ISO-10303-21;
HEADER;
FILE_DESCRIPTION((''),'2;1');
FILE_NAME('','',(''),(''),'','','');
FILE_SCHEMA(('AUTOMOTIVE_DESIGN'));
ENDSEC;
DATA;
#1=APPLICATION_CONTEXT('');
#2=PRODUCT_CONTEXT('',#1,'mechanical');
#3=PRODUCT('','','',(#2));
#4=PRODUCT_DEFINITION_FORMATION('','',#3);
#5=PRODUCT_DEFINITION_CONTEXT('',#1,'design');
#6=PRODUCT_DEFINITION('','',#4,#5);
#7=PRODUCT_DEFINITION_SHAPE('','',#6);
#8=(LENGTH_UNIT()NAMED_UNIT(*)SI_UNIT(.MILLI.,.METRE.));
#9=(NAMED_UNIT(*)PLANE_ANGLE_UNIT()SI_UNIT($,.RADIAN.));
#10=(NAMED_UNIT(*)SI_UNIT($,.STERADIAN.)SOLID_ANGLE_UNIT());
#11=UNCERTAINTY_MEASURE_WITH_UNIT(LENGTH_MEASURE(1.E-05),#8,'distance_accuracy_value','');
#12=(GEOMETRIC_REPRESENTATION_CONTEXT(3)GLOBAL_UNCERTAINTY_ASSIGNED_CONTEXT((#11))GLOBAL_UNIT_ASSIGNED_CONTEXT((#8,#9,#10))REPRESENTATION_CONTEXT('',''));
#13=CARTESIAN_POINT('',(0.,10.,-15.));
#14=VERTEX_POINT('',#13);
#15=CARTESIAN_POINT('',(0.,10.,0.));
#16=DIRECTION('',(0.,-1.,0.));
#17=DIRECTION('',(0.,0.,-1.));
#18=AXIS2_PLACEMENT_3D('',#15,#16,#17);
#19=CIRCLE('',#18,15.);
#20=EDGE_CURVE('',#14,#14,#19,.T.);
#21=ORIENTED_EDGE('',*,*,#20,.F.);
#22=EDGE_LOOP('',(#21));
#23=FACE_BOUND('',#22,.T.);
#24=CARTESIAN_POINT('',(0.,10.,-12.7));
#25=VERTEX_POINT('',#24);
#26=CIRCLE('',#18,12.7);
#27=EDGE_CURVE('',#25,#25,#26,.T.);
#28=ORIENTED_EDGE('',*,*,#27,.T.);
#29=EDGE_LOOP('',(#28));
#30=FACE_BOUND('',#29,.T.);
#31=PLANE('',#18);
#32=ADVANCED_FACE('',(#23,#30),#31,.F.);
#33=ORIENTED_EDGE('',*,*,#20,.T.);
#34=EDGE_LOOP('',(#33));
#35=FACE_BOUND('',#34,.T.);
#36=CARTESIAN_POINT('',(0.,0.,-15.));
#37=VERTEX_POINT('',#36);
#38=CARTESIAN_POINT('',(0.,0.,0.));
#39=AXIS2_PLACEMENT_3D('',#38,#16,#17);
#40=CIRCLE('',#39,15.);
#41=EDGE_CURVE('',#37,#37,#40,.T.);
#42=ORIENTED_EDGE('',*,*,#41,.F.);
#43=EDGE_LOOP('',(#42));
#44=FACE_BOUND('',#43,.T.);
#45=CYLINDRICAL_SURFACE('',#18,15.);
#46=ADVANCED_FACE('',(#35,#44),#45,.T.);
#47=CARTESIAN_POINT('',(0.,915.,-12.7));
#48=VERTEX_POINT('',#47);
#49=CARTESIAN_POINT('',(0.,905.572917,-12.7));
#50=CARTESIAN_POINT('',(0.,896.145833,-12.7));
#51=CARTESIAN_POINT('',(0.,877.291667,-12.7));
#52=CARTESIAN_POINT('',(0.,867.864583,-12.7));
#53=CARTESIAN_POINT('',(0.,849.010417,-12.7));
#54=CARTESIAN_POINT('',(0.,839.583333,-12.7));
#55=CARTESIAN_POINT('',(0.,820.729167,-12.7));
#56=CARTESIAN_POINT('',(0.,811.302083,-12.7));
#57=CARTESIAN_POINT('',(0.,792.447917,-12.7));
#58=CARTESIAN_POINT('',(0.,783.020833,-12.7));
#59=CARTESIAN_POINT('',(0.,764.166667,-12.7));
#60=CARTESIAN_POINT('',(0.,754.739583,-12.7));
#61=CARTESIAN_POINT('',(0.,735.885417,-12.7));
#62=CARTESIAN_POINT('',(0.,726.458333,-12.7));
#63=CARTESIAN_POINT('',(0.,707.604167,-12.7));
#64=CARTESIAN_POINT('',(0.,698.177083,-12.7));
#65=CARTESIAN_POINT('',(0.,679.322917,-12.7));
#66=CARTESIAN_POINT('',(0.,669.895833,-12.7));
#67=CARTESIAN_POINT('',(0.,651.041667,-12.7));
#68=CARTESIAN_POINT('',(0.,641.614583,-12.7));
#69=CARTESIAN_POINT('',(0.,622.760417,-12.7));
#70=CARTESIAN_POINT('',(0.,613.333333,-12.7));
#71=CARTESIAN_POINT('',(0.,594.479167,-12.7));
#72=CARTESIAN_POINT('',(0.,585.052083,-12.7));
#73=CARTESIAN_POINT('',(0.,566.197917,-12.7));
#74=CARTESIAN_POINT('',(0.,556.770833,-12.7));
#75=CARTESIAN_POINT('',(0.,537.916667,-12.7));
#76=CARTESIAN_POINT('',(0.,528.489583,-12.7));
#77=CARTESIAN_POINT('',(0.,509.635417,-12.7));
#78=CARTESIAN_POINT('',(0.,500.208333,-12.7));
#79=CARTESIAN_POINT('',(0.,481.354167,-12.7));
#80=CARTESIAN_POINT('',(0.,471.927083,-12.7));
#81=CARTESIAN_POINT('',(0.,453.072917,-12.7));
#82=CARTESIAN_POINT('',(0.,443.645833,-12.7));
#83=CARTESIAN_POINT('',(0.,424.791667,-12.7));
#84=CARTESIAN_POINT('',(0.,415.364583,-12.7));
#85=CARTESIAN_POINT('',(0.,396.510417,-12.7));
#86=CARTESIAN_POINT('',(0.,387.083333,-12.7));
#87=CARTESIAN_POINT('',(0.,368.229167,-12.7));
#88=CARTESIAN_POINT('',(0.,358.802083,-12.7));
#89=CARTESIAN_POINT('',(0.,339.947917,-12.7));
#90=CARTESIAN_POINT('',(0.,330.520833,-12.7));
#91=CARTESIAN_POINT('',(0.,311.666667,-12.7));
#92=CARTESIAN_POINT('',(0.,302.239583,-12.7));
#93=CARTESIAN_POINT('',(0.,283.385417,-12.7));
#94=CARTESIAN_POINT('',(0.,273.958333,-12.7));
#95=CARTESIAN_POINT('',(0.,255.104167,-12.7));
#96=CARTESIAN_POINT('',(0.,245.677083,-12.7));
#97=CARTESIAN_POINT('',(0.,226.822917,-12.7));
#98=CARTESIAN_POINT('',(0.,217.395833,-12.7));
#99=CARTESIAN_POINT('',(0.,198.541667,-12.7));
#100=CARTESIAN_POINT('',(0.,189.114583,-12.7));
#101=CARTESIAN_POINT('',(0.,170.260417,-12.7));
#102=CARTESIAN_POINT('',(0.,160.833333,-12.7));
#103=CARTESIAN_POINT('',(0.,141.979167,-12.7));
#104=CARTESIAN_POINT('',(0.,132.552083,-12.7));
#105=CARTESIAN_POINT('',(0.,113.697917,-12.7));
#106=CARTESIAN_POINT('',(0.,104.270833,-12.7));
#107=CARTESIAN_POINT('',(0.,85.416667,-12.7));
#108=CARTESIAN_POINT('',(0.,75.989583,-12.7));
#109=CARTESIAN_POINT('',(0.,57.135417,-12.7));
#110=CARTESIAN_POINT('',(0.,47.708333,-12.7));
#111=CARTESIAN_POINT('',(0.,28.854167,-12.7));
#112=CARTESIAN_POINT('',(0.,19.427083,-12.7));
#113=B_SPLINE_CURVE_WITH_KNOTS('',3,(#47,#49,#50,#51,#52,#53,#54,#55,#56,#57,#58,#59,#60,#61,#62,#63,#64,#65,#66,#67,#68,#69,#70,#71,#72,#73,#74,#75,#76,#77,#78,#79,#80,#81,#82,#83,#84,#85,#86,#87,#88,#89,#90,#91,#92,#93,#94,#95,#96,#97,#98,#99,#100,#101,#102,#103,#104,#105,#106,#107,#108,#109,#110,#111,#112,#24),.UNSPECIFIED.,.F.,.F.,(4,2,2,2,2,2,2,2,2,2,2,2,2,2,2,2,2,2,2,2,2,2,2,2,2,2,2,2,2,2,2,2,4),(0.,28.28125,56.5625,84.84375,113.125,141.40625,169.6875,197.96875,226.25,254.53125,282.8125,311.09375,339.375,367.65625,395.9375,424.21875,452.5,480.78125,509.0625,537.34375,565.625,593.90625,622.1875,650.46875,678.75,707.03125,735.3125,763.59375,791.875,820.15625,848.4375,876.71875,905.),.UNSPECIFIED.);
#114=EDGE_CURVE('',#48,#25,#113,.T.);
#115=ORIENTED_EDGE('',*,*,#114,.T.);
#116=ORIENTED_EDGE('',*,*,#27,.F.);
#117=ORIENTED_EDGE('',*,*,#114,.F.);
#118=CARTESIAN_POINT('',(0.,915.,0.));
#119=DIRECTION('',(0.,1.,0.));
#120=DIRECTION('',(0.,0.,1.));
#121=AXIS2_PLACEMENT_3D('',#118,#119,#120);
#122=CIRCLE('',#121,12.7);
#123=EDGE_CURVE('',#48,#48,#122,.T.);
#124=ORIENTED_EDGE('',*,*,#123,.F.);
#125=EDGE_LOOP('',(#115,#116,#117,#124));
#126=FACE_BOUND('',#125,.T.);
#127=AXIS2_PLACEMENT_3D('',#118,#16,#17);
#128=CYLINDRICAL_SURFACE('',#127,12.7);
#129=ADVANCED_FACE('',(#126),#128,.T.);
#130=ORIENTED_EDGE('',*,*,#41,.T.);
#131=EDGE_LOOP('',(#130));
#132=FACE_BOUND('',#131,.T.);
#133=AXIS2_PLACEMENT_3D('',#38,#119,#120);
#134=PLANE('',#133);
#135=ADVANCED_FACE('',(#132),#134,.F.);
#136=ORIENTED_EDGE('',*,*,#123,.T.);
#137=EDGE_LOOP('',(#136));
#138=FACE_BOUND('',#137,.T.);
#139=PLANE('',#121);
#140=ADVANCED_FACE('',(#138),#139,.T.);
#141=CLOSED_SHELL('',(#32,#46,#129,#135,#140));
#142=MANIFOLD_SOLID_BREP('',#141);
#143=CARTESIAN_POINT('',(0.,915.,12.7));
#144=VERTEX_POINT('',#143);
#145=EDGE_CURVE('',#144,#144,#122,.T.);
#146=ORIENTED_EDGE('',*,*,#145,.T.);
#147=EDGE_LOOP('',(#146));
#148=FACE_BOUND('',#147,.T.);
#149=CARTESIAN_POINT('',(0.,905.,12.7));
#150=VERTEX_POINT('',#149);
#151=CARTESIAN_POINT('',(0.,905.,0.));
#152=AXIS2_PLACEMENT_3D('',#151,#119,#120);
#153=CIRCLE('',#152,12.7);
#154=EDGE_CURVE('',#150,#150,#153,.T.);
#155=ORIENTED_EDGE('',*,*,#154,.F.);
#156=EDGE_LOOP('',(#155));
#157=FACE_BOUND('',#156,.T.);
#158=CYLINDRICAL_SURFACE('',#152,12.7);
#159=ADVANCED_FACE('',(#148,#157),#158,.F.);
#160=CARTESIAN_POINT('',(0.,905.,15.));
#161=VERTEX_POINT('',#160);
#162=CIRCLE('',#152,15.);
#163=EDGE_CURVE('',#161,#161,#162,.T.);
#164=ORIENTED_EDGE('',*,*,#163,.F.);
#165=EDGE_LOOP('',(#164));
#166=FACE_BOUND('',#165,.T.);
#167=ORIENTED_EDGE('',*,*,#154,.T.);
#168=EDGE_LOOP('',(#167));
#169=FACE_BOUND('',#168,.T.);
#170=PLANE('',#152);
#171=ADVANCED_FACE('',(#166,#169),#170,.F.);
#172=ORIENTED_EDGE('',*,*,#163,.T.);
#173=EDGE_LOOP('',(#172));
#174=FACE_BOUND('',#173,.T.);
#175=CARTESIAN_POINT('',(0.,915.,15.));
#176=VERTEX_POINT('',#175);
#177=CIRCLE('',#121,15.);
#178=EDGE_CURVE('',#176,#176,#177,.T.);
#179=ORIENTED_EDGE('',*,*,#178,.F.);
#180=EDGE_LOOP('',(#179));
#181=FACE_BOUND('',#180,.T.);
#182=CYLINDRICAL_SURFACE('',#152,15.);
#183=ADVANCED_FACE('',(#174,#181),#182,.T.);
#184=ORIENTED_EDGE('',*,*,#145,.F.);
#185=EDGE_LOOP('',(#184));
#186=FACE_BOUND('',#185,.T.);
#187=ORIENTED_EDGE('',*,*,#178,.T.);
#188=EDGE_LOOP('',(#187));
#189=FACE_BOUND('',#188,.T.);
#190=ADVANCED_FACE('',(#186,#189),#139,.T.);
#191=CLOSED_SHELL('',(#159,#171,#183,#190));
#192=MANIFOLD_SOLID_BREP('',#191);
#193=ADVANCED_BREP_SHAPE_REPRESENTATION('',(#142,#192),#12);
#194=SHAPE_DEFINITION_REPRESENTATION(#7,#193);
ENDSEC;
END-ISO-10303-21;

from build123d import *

# Parameters (mm, degrees)
CROQUIS1_R              = 12.7
SALIENTE_EXTRUIR1_DEPTH = 915
CROQUIS2_R              = 15
CROQUIS2_R_2            = 12.7
SALIENTE_EXTRUIR2_DEPTH = 10
CROQUIS3_R              = 15
CROQUIS3_R_2            = 12.7
SALIENTE_EXTRUIR3_DEPTH = 10


with BuildPart() as part:
    # Croquis1 → Saliente-Extruir1 (new body)
    with BuildSketch(Plane(origin=(0, 0, 0), x_dir=(1, 0, 0), z_dir=(0, 1, 0))):
        with Locations(Location((0, 0, 0), (0, 0, 90))):
            Circle(CROQUIS1_R)
    extrude(amount=SALIENTE_EXTRUIR1_DEPTH)

    # Croquis3 → Saliente-Extruir3 (add)
    with BuildSketch(Plane.XZ):
        with Locations(Location((0, 0, 0), (0, 0, 90))):
            Circle(CROQUIS3_R)
        with Locations(Location((0, 0, 0), (0, 0, 90))):
            Circle(CROQUIS3_R_2, mode=Mode.SUBTRACT)
    extrude(amount=-SALIENTE_EXTRUIR3_DEPTH)


with BuildPart() as body_2:
    # Croquis2 → Saliente-Extruir2 (new body)
    with BuildSketch(Plane(origin=(0, 915, 0), x_dir=(1, 0, 0), z_dir=(0, 1, 0))):
        with Locations(Location((0, 0, 0), (0, 0, 270))):
            Circle(CROQUIS2_R)
        with Locations(Location((0, 0, 0), (0, 0, 270))):
            Circle(CROQUIS2_R_2, mode=Mode.SUBTRACT)
    extrude(amount=-SALIENTE_EXTRUIR2_DEPTH)


solid = Compound([part.part, body_2.part])
